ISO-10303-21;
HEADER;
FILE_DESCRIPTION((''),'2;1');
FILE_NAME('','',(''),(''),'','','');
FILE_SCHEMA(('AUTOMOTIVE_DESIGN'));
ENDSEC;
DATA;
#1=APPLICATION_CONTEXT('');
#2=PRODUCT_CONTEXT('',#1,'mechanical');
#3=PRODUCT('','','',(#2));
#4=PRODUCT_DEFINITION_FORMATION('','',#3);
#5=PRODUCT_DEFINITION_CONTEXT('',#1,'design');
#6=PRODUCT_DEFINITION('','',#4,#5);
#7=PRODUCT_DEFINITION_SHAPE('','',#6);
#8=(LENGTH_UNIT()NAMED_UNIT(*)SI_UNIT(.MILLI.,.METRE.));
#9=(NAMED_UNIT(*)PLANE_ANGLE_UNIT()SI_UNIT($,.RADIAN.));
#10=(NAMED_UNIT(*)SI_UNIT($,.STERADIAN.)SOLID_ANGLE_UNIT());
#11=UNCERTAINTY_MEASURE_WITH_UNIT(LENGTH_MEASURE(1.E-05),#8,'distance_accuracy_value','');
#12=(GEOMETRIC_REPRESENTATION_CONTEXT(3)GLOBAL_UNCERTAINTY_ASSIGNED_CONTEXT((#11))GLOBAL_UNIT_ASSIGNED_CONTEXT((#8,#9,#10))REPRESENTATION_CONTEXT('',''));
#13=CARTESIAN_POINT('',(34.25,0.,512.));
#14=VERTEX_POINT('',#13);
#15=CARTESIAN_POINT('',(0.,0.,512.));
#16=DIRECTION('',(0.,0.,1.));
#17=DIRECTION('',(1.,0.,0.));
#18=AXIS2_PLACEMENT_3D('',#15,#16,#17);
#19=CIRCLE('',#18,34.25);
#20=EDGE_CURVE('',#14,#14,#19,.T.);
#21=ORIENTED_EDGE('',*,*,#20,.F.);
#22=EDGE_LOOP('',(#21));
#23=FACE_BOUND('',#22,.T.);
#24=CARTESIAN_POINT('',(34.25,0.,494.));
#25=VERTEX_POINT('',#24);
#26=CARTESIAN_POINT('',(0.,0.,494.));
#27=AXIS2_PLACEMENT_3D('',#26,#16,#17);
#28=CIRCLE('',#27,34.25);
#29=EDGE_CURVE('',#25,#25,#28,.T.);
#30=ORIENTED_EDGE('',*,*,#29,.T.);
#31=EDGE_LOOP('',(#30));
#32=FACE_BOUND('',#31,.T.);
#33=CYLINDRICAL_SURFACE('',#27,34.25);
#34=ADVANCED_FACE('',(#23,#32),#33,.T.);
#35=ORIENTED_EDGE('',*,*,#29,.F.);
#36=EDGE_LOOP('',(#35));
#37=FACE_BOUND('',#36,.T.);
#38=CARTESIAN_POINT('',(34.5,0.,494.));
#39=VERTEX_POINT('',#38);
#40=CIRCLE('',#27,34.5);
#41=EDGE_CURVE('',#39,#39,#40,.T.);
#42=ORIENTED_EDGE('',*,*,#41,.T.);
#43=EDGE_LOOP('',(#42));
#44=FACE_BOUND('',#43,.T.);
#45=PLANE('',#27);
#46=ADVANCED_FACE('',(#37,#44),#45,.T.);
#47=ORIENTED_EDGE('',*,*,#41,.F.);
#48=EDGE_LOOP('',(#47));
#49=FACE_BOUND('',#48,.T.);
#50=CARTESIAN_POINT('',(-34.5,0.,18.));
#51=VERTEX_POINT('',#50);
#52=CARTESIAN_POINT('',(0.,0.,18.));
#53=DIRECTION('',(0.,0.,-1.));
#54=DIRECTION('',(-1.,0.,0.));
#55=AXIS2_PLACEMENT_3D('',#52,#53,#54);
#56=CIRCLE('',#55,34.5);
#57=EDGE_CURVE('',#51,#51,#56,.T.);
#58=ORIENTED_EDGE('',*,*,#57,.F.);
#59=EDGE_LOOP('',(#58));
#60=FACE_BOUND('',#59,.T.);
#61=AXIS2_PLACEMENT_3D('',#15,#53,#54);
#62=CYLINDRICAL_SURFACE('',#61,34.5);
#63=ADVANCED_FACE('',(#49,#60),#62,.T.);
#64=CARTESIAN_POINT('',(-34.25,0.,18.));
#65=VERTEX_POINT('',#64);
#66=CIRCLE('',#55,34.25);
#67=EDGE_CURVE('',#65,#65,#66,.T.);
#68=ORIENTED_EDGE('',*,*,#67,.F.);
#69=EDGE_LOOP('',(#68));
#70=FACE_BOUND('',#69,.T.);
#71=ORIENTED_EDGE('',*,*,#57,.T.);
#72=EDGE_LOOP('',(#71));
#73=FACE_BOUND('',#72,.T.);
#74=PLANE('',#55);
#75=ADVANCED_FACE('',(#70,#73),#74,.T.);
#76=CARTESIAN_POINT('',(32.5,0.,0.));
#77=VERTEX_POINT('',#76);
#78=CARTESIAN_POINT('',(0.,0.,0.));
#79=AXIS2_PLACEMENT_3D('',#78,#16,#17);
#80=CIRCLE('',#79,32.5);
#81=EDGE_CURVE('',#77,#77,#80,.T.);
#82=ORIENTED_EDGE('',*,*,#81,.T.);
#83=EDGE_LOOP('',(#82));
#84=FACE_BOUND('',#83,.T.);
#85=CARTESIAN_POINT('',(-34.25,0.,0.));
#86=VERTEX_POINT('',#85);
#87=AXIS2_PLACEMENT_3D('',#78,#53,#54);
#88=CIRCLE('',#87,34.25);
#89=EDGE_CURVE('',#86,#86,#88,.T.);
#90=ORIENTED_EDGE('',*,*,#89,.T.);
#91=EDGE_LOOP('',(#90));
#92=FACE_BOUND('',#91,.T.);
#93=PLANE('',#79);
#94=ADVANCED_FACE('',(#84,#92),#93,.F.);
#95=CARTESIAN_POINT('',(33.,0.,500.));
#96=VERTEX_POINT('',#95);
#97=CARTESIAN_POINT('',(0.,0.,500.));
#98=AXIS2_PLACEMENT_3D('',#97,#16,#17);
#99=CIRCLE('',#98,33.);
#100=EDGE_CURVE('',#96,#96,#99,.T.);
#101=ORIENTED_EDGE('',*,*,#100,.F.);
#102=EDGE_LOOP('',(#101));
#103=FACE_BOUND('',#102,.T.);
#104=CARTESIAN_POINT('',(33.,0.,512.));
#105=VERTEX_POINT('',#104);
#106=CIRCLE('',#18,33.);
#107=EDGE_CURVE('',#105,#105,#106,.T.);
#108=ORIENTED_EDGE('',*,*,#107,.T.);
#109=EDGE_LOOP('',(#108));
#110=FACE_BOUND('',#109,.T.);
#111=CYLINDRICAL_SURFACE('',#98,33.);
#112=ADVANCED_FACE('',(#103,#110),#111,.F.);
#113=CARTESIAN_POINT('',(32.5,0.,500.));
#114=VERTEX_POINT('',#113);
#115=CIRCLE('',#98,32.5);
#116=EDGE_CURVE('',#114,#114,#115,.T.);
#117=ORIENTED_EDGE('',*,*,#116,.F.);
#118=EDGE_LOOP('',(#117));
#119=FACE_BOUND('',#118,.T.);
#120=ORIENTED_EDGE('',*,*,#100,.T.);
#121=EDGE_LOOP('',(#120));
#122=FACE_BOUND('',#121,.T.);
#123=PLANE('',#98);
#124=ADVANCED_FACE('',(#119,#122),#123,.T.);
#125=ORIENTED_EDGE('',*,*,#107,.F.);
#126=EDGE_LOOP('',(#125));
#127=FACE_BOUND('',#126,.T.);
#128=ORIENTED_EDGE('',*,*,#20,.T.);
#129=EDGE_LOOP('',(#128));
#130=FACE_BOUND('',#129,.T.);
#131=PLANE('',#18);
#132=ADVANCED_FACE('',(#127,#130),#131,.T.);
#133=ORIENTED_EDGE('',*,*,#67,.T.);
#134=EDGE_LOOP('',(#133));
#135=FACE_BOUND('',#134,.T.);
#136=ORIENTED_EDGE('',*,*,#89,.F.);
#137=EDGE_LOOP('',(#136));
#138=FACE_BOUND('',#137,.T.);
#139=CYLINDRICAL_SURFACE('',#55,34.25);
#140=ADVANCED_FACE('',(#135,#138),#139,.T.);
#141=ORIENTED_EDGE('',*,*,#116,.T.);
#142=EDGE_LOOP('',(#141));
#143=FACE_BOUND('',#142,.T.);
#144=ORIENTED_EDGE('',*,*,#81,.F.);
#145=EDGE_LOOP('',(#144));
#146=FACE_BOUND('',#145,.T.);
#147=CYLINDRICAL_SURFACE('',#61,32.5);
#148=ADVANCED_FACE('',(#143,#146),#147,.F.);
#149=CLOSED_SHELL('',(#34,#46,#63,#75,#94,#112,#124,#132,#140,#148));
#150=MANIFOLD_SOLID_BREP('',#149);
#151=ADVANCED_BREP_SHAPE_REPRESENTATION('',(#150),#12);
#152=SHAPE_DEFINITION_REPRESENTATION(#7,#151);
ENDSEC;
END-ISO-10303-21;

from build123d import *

# Parameters (mm, degrees)
SKETCH1_R           = 34.5
SKETCH1_R_2         = 32.5
BOSS_EXTRUDE1_DEPTH = 512
CUT_EXTRUDE1_START  = -12
SKETCH3_R           = 33
SKETCH3_R_2         = 32.5
CUT_EXTRUDE1_DEPTH  = 12
CUT_EXTRUDE3_START  = -18
SKETCH4_R           = 34.5
SKETCH4_R_2         = 34.25
CUT_EXTRUDE3_DEPTH  = 18
SKETCH5_R           = 34.5
SKETCH5_R_2         = 34.25
CUT_EXTRUDE4_DEPTH  = 18


with BuildPart() as part:
    # Sketch1 → Boss-Extrude1 (new body)
    with BuildSketch(Plane.XY):
        Circle(SKETCH1_R)
        Circle(SKETCH1_R_2, mode=Mode.SUBTRACT)
    extrude(amount=BOSS_EXTRUDE1_DEPTH)

    # Sketch3 → Cut-Extrude1 (cut)
    with BuildSketch(Plane.XY.offset(512).offset(CUT_EXTRUDE1_START)):
        Circle(SKETCH3_R)
        Circle(SKETCH3_R_2, mode=Mode.SUBTRACT)
    extrude(amount=CUT_EXTRUDE1_DEPTH, mode=Mode.SUBTRACT)

    # Sketch4 → Cut-Extrude3 (cut)
    with BuildSketch(Plane.XY.offset(512).offset(CUT_EXTRUDE3_START)):
        Circle(SKETCH4_R)
        Circle(SKETCH4_R_2, mode=Mode.SUBTRACT)
    extrude(amount=CUT_EXTRUDE3_DEPTH, mode=Mode.SUBTRACT)

    # Sketch5 → Cut-Extrude4 (cut)
    with BuildSketch(Plane(origin=(0, 0, 0), x_dir=(-1, 0, 0), z_dir=(0, 0, -1))):
        Circle(SKETCH5_R)
        with Locations(Location((0, 0, 0), (0, 0, 180))):
            Circle(SKETCH5_R_2, mode=Mode.SUBTRACT)
    extrude(amount=-CUT_EXTRUDE4_DEPTH, mode=Mode.SUBTRACT)


solid = part.part
